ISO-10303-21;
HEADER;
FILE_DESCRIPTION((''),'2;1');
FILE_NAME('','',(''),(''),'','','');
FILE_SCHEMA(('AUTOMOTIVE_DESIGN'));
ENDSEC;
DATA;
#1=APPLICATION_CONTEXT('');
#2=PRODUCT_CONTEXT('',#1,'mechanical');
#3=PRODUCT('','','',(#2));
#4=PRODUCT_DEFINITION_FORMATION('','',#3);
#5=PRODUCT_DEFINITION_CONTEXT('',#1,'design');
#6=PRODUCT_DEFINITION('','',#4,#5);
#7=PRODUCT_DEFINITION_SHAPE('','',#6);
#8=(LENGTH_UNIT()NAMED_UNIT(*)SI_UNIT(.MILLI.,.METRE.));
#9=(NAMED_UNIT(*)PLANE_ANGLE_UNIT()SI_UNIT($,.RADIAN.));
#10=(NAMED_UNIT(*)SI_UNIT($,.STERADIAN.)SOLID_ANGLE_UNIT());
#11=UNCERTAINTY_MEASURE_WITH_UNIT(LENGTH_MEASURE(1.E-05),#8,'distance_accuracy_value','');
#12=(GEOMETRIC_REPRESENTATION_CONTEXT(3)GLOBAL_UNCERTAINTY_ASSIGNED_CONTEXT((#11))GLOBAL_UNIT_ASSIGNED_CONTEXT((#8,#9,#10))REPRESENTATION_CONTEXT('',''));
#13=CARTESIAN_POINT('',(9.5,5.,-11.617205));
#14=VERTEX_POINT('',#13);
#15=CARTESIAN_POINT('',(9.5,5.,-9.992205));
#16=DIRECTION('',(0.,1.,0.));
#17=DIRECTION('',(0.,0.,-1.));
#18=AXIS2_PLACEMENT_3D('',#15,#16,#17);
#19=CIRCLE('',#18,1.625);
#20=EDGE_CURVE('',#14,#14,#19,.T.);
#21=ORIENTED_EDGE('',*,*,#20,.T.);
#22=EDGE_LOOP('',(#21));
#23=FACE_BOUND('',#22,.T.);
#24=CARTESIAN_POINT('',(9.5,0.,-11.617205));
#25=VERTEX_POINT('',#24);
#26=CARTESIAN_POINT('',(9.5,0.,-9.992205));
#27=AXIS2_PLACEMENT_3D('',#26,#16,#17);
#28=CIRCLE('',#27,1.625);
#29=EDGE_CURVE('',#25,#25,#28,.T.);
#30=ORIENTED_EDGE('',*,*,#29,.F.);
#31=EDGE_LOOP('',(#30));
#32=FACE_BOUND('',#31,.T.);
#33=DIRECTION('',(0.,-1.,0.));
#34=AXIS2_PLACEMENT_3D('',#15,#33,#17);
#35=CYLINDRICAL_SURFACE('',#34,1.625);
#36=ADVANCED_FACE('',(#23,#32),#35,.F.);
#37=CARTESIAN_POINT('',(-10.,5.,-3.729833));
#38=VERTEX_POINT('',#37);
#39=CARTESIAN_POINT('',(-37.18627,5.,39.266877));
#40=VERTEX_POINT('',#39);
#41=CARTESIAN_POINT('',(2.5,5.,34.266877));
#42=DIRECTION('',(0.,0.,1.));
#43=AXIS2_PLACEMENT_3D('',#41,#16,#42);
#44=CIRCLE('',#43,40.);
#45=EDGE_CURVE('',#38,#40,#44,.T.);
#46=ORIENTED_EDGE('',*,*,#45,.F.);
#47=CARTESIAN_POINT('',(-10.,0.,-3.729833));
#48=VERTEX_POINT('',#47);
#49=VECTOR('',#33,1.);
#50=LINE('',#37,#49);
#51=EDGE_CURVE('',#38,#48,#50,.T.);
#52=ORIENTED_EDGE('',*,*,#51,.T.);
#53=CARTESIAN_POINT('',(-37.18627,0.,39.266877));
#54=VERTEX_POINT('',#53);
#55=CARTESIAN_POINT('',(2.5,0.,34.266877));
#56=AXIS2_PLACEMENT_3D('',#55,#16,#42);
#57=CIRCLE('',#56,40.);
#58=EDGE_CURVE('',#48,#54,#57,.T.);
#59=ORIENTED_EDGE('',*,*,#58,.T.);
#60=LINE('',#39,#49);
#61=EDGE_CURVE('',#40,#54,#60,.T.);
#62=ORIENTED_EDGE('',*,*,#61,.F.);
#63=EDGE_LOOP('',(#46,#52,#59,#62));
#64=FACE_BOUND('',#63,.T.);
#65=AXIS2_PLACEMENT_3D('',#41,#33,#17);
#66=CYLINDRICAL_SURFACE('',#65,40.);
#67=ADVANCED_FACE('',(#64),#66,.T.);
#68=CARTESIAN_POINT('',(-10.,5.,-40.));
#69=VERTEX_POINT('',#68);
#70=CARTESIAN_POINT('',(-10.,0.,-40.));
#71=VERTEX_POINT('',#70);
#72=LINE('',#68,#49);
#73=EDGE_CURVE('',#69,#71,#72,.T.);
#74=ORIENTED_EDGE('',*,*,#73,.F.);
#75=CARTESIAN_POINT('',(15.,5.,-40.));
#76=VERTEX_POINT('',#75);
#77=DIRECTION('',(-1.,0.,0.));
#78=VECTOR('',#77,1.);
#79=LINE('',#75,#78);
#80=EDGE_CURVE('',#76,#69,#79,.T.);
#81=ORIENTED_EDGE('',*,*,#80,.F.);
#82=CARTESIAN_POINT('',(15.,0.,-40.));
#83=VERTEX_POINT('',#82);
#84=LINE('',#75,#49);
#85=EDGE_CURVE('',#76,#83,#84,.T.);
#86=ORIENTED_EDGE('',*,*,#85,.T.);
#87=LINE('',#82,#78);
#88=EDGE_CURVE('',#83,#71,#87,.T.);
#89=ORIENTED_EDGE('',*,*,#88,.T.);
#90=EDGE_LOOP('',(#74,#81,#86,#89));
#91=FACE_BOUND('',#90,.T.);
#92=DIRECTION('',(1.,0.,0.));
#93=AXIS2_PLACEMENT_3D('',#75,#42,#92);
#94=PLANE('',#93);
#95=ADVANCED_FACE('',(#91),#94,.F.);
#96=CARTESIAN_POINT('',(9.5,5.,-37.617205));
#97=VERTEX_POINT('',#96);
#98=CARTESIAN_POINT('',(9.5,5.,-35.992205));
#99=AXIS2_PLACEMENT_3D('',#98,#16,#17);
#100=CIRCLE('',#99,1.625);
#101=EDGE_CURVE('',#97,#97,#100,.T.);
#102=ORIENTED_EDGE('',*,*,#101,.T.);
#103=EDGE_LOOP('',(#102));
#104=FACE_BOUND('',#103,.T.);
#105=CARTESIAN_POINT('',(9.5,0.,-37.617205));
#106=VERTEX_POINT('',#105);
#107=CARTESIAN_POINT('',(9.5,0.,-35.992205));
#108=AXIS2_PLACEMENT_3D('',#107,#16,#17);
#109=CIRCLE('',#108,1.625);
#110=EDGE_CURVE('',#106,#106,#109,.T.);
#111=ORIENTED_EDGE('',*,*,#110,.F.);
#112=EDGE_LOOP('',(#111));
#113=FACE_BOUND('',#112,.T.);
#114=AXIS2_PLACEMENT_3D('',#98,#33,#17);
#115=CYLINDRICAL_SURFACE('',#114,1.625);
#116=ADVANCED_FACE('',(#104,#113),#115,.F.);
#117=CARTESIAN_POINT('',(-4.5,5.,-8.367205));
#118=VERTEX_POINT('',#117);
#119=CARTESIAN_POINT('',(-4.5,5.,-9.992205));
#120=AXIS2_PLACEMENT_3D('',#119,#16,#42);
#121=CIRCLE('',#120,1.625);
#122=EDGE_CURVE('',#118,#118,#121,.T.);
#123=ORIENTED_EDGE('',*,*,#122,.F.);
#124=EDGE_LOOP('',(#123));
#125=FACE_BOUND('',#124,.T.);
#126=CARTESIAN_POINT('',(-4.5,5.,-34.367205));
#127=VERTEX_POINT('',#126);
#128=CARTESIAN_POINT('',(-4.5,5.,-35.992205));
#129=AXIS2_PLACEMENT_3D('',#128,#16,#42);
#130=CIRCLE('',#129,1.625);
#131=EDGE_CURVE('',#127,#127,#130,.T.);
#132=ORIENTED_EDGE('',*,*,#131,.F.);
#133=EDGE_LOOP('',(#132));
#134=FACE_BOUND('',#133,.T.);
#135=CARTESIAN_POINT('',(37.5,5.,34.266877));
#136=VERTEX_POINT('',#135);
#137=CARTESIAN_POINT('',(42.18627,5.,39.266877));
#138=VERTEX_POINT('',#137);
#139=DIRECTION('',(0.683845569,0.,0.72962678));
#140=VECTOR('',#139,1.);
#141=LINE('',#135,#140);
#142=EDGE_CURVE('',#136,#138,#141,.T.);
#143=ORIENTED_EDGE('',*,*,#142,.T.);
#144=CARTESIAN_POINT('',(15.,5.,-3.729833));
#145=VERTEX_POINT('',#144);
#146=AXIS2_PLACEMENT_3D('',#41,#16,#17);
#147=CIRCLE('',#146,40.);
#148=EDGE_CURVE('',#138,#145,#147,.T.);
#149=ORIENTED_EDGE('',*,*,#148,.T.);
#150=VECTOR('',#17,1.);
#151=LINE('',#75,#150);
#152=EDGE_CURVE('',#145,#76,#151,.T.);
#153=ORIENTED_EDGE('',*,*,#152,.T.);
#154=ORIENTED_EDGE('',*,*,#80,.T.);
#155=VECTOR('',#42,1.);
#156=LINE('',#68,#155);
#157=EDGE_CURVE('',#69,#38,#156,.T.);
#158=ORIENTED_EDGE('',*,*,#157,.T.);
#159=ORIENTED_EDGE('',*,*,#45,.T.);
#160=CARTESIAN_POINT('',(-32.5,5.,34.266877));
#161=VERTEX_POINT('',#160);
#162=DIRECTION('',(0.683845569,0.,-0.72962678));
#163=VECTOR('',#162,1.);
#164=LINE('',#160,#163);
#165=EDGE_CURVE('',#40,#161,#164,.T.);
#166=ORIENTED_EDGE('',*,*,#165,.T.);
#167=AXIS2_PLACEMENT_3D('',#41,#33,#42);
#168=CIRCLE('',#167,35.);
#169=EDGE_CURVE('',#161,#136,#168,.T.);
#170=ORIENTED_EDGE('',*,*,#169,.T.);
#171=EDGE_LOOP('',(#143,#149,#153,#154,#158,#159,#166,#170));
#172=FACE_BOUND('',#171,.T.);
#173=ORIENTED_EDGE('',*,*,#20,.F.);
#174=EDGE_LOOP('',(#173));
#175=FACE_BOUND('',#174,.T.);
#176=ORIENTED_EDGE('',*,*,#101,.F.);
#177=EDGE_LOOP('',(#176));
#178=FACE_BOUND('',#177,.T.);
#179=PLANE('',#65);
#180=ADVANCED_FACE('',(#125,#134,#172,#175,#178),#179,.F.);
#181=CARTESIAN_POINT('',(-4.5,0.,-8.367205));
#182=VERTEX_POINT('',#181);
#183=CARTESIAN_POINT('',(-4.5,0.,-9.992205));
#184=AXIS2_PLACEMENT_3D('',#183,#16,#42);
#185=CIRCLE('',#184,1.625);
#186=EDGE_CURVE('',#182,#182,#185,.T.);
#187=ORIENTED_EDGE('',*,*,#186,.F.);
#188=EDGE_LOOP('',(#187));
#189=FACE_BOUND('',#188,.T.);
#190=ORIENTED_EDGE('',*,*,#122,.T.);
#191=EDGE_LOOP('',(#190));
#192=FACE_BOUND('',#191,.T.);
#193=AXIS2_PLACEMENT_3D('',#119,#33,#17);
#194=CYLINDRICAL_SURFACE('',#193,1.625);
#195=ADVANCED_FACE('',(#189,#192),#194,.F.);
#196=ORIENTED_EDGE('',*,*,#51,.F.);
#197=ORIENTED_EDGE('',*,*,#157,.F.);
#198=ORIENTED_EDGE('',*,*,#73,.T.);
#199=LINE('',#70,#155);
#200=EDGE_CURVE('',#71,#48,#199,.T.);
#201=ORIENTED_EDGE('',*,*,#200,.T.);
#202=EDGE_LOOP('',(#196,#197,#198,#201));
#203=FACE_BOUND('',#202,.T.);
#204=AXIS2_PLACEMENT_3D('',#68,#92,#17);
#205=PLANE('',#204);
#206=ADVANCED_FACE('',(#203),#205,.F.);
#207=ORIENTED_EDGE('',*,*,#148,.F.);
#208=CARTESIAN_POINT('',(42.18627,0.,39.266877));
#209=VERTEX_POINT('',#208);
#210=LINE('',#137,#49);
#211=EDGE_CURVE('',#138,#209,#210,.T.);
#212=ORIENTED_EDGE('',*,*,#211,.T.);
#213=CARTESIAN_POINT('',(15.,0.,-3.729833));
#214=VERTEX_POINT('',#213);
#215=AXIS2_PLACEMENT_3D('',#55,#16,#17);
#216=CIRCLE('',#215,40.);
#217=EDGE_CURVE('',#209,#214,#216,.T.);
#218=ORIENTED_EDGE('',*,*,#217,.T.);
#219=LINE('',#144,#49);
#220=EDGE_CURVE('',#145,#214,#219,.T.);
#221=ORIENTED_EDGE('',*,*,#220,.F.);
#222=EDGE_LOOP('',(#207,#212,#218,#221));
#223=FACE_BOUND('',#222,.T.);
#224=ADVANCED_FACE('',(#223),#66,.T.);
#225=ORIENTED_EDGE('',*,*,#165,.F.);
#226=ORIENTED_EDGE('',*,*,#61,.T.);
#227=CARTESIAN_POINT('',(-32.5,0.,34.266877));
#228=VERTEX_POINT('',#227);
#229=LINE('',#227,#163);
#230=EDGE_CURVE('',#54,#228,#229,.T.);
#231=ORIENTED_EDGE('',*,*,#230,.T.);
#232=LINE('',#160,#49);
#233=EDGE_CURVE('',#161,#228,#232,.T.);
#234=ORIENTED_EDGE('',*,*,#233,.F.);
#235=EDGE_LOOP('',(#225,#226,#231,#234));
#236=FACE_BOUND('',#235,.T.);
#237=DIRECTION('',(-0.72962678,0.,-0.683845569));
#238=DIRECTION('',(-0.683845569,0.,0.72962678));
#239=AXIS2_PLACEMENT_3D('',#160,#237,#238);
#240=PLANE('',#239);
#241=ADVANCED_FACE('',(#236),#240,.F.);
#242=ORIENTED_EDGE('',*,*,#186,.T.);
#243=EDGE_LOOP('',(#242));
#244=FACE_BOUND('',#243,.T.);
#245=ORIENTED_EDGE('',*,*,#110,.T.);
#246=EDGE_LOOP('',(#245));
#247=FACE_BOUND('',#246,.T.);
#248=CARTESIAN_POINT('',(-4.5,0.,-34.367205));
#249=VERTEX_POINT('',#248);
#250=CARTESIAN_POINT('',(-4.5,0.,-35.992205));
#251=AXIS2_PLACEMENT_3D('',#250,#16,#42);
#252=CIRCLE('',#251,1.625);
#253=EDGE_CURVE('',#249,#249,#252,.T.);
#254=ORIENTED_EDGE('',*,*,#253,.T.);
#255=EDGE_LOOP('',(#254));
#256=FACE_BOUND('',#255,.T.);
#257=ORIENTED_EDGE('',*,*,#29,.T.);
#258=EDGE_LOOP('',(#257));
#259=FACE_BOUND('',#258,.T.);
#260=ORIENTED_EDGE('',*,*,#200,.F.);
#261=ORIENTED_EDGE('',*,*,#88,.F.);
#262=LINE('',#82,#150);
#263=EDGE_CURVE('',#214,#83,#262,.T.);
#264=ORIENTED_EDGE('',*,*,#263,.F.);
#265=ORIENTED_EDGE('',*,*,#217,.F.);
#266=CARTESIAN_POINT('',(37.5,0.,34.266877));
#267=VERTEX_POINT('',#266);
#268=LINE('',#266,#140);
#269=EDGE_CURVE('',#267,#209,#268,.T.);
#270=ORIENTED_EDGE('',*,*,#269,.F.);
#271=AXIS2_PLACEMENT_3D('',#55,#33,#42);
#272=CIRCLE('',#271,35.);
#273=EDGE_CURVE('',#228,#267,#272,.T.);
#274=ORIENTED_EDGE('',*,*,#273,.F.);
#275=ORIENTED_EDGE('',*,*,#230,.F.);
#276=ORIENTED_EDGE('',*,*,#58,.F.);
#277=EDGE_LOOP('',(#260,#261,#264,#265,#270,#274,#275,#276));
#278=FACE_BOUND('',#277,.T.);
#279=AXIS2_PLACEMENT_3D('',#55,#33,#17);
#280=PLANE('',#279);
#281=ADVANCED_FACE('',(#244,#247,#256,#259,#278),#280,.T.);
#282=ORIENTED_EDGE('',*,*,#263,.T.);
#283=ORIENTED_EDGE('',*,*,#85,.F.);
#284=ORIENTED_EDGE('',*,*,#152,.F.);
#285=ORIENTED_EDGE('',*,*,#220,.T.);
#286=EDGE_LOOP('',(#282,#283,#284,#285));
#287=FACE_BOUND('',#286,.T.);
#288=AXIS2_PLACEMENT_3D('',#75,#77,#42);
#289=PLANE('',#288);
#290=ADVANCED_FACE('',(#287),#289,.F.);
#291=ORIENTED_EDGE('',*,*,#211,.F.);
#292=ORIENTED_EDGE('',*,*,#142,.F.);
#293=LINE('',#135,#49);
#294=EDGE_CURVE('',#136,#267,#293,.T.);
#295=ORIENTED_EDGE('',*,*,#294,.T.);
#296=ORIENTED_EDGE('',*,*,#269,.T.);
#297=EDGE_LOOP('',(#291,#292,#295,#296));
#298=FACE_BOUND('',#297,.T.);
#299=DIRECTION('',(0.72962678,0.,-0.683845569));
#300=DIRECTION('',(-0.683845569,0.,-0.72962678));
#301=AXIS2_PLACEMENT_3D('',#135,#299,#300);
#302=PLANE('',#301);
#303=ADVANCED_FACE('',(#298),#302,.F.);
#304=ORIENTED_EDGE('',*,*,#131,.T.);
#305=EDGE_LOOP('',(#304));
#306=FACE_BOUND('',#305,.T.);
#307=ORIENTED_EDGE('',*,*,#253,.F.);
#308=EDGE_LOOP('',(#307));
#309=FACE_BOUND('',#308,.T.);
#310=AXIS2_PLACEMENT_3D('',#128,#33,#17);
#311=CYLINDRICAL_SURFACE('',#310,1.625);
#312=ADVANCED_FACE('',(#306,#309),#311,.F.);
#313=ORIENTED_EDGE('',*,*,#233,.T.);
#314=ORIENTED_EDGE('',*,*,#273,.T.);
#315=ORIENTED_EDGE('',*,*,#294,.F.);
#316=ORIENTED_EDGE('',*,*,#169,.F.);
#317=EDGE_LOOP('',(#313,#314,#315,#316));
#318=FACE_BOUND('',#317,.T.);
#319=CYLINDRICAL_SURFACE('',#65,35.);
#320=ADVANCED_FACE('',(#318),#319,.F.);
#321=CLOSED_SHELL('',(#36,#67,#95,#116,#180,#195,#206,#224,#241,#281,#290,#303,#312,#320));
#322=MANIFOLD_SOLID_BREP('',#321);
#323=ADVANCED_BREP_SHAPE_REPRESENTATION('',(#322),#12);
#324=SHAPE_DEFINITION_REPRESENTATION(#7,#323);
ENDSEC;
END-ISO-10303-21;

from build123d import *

# Parameters (mm, degrees)
SKETCH1_R           = 1.625
BOSS_EXTRUDE1_DEPTH = 5


with BuildPart() as part:
    # Sketch1 → Boss-Extrude1 (new body)
    with BuildSketch(Plane(origin=(0, 0, 0), x_dir=(1, 0, 0), z_dir=(0, 1, 0))):
        with BuildLine():
            Line((15, 40), (-10, 40))
            Line((-10, 40), (-10, 3.729833462))
            ThreePointArc((-10, 3.729833462), (-31.308740902, -12.890042764), (-37.186269666, -39.266876922))
            Line((-37.186269666, -39.266876922), (-32.5, -34.266876922))
            ThreePointArc((-32.5, -34.266876922), (2.5, 0.733123078), (37.5, -34.266876922))
            Line((37.5, -34.266876922), (42.186269666, -39.266876922))
            ThreePointArc((42.186269666, -39.266876922), (36.308740902, -12.890042764), (15, 3.729833462))
            Line((15, 3.729833462), (15, 40))
        make_face()
        with Locations(Location((-4.5, 9.992204686, 0), (0, 0, 270))):
            Circle(SKETCH1_R, mode=Mode.SUBTRACT)
        with Locations(Location((-4.5, 35.992204686, 0), (0, 0, 270))):
            Circle(SKETCH1_R, mode=Mode.SUBTRACT)
        with Locations(Location((9.5, 35.992204686, 0), (0, 0, 90))):
            Circle(SKETCH1_R, mode=Mode.SUBTRACT)
        with Locations(Location((9.5, 9.992204686, 0), (0, 0, 90))):
            Circle(SKETCH1_R, mode=Mode.SUBTRACT)
    extrude(amount=BOSS_EXTRUDE1_DEPTH)


solid = part.part
